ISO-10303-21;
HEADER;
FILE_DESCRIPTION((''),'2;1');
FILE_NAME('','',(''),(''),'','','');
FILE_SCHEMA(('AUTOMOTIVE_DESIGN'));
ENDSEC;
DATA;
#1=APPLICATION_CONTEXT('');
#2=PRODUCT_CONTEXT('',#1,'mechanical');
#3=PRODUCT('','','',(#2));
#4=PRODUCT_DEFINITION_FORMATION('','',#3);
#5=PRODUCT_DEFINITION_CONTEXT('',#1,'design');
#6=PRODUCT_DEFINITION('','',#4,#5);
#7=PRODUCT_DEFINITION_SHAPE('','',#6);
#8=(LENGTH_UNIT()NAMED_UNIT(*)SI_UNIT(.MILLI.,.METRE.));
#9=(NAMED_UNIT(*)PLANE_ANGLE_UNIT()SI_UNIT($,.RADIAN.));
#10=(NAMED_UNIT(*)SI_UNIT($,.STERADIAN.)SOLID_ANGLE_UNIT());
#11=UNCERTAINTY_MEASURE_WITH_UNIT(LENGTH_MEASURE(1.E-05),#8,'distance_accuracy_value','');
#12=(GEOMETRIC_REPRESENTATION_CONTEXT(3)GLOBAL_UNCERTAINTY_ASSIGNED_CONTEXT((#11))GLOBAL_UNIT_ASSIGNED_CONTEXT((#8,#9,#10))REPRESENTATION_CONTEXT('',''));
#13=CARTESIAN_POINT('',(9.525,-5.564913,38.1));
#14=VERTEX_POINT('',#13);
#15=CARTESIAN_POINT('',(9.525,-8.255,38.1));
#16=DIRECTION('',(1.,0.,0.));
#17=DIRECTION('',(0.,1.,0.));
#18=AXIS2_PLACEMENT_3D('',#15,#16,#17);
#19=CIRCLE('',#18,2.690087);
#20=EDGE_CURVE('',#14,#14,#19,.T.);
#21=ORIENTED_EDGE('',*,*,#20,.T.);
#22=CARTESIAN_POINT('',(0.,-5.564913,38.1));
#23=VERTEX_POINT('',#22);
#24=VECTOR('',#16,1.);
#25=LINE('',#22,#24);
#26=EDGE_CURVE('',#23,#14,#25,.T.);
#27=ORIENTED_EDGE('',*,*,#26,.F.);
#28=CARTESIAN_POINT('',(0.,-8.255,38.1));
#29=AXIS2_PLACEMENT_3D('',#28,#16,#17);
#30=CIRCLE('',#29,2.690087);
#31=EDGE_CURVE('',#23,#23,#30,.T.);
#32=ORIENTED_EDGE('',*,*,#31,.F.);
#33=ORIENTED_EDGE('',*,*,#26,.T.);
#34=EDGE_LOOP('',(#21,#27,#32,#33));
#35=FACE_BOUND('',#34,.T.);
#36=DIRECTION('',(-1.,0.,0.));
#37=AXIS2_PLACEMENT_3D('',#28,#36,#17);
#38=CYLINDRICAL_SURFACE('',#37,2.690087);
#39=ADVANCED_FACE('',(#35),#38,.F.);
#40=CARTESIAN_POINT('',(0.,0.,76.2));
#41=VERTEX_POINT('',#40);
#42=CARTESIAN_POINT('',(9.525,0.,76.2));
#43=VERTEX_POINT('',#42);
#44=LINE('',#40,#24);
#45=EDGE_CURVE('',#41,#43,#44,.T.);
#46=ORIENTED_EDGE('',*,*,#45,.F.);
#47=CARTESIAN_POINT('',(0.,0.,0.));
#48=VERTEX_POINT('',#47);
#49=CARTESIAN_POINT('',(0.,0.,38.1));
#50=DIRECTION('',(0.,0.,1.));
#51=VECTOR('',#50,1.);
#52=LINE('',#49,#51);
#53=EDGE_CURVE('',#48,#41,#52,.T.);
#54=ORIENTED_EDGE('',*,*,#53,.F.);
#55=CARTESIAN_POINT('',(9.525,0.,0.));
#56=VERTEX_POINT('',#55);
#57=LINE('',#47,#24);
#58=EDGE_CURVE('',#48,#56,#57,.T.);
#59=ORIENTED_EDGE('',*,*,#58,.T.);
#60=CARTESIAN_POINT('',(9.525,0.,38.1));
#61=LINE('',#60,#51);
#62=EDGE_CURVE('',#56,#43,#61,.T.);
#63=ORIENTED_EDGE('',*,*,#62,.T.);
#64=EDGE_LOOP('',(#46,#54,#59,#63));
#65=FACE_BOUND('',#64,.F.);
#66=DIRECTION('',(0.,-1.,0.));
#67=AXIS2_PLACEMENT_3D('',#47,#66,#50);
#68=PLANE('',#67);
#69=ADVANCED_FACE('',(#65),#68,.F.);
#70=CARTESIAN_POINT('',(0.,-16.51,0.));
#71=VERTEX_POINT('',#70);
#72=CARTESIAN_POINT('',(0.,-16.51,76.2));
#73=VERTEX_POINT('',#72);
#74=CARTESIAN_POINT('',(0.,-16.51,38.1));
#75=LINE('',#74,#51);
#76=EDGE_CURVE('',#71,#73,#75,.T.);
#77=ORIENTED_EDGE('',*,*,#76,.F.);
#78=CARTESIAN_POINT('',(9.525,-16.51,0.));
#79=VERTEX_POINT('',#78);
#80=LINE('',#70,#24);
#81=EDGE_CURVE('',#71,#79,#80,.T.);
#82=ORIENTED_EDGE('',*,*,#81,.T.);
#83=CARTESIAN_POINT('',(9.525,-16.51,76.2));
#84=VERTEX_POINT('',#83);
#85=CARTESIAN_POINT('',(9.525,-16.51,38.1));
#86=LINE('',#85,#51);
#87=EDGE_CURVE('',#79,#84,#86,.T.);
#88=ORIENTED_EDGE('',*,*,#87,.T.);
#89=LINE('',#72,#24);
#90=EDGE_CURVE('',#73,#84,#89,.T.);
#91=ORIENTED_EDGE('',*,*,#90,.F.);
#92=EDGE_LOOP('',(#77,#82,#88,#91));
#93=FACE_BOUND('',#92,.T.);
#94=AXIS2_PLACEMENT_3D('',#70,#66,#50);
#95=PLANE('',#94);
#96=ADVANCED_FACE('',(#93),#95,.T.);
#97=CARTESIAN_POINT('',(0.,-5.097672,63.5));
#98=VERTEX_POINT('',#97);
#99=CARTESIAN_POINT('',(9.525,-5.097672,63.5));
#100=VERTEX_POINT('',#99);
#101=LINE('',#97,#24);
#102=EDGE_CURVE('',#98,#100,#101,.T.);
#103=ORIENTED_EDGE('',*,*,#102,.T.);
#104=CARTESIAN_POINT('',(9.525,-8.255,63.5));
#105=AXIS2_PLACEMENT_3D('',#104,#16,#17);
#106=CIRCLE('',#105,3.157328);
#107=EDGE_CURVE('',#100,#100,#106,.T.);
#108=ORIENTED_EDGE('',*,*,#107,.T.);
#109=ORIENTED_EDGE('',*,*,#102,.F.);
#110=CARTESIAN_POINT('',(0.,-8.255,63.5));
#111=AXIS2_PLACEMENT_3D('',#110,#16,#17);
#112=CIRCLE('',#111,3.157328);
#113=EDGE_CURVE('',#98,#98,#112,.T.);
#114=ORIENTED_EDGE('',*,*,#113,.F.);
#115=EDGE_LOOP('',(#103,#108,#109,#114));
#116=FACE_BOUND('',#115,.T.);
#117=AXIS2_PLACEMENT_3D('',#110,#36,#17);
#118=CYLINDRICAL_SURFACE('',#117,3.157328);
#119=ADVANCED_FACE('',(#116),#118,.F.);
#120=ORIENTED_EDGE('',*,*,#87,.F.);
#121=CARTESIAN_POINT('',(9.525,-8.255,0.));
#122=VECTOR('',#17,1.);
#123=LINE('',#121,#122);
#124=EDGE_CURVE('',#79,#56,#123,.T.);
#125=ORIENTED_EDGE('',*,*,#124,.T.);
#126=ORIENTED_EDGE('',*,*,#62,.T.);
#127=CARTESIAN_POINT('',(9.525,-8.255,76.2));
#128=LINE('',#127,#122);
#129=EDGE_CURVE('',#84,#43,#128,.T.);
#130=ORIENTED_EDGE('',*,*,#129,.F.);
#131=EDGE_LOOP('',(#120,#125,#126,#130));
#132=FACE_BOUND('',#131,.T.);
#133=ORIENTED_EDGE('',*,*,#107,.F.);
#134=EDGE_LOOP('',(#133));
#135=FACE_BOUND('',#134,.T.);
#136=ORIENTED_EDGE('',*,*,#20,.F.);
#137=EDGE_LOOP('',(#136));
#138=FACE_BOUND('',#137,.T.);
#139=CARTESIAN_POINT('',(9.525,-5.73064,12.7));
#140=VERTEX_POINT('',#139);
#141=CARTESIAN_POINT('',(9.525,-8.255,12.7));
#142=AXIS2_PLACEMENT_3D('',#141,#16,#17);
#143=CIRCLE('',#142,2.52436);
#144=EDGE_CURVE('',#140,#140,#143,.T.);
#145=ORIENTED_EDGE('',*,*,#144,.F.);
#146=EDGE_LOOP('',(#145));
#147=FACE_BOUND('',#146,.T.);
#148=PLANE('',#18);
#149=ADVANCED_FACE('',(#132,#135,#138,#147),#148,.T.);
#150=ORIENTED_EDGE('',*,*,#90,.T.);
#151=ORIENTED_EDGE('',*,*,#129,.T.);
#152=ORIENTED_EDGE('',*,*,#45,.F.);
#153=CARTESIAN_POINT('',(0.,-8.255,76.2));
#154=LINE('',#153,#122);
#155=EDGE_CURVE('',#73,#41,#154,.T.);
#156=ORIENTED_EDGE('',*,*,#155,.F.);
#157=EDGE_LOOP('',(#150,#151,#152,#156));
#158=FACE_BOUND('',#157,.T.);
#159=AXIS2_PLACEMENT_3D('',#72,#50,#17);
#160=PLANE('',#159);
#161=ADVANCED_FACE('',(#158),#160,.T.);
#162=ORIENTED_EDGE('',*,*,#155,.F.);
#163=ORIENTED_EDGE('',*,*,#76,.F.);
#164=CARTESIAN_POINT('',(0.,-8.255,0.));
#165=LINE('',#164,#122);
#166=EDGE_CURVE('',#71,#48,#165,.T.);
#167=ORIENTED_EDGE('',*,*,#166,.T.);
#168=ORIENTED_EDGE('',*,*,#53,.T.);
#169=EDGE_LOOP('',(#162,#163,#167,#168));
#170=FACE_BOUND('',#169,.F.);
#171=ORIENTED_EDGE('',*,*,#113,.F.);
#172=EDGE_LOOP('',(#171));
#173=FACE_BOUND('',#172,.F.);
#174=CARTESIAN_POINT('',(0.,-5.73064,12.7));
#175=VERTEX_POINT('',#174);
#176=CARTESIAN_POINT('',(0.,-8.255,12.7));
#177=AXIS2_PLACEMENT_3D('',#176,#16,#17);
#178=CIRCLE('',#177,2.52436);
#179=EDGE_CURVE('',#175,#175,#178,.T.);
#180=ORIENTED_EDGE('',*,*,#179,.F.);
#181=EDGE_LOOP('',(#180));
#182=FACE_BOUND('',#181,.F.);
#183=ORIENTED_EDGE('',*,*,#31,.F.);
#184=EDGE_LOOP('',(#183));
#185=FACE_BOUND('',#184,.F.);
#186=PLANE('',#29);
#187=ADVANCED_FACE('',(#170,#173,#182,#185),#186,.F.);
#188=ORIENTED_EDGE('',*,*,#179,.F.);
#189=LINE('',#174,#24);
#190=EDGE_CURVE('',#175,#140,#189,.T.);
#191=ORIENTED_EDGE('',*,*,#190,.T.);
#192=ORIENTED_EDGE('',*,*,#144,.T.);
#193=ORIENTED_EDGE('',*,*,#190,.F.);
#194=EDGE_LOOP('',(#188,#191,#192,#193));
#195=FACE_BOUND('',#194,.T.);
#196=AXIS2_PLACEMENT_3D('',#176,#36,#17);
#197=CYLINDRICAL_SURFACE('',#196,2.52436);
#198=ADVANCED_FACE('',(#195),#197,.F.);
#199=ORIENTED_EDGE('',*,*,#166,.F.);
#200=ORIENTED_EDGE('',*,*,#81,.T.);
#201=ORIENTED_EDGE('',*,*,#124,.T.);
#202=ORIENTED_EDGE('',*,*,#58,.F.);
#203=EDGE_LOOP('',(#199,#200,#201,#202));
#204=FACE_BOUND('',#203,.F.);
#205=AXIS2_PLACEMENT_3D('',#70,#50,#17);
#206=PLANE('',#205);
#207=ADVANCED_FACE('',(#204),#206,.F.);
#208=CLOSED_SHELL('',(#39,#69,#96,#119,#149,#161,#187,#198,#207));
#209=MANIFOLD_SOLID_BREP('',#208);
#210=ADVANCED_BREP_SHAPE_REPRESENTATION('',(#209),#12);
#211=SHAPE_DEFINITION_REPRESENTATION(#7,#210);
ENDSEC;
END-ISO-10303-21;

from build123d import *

# Parameters (mm, degrees)
F0_W     = 16.51
F0_H     = 76.2
F0_R     = 2.52436
F0_R_2   = 2.690087
F0_R_3   = 3.157328
F1_DEPTH = 9.525


with BuildPart() as f1:
    # F0 (on Right) → F1 (new body)
    with BuildSketch(Plane.YZ):
        with Locations((-8.255, 38.1)):
            Rectangle(F0_W, F0_H)
        with Locations((-8.255, 12.7)):
            Circle(F0_R, mode=Mode.SUBTRACT)
        with Locations((-8.255, 38.1)):
            Circle(F0_R_2, mode=Mode.SUBTRACT)
        with Locations((-8.255, 63.5)):
            Circle(F0_R_3, mode=Mode.SUBTRACT)
    extrude(amount=F1_DEPTH)


solid = f1.part
